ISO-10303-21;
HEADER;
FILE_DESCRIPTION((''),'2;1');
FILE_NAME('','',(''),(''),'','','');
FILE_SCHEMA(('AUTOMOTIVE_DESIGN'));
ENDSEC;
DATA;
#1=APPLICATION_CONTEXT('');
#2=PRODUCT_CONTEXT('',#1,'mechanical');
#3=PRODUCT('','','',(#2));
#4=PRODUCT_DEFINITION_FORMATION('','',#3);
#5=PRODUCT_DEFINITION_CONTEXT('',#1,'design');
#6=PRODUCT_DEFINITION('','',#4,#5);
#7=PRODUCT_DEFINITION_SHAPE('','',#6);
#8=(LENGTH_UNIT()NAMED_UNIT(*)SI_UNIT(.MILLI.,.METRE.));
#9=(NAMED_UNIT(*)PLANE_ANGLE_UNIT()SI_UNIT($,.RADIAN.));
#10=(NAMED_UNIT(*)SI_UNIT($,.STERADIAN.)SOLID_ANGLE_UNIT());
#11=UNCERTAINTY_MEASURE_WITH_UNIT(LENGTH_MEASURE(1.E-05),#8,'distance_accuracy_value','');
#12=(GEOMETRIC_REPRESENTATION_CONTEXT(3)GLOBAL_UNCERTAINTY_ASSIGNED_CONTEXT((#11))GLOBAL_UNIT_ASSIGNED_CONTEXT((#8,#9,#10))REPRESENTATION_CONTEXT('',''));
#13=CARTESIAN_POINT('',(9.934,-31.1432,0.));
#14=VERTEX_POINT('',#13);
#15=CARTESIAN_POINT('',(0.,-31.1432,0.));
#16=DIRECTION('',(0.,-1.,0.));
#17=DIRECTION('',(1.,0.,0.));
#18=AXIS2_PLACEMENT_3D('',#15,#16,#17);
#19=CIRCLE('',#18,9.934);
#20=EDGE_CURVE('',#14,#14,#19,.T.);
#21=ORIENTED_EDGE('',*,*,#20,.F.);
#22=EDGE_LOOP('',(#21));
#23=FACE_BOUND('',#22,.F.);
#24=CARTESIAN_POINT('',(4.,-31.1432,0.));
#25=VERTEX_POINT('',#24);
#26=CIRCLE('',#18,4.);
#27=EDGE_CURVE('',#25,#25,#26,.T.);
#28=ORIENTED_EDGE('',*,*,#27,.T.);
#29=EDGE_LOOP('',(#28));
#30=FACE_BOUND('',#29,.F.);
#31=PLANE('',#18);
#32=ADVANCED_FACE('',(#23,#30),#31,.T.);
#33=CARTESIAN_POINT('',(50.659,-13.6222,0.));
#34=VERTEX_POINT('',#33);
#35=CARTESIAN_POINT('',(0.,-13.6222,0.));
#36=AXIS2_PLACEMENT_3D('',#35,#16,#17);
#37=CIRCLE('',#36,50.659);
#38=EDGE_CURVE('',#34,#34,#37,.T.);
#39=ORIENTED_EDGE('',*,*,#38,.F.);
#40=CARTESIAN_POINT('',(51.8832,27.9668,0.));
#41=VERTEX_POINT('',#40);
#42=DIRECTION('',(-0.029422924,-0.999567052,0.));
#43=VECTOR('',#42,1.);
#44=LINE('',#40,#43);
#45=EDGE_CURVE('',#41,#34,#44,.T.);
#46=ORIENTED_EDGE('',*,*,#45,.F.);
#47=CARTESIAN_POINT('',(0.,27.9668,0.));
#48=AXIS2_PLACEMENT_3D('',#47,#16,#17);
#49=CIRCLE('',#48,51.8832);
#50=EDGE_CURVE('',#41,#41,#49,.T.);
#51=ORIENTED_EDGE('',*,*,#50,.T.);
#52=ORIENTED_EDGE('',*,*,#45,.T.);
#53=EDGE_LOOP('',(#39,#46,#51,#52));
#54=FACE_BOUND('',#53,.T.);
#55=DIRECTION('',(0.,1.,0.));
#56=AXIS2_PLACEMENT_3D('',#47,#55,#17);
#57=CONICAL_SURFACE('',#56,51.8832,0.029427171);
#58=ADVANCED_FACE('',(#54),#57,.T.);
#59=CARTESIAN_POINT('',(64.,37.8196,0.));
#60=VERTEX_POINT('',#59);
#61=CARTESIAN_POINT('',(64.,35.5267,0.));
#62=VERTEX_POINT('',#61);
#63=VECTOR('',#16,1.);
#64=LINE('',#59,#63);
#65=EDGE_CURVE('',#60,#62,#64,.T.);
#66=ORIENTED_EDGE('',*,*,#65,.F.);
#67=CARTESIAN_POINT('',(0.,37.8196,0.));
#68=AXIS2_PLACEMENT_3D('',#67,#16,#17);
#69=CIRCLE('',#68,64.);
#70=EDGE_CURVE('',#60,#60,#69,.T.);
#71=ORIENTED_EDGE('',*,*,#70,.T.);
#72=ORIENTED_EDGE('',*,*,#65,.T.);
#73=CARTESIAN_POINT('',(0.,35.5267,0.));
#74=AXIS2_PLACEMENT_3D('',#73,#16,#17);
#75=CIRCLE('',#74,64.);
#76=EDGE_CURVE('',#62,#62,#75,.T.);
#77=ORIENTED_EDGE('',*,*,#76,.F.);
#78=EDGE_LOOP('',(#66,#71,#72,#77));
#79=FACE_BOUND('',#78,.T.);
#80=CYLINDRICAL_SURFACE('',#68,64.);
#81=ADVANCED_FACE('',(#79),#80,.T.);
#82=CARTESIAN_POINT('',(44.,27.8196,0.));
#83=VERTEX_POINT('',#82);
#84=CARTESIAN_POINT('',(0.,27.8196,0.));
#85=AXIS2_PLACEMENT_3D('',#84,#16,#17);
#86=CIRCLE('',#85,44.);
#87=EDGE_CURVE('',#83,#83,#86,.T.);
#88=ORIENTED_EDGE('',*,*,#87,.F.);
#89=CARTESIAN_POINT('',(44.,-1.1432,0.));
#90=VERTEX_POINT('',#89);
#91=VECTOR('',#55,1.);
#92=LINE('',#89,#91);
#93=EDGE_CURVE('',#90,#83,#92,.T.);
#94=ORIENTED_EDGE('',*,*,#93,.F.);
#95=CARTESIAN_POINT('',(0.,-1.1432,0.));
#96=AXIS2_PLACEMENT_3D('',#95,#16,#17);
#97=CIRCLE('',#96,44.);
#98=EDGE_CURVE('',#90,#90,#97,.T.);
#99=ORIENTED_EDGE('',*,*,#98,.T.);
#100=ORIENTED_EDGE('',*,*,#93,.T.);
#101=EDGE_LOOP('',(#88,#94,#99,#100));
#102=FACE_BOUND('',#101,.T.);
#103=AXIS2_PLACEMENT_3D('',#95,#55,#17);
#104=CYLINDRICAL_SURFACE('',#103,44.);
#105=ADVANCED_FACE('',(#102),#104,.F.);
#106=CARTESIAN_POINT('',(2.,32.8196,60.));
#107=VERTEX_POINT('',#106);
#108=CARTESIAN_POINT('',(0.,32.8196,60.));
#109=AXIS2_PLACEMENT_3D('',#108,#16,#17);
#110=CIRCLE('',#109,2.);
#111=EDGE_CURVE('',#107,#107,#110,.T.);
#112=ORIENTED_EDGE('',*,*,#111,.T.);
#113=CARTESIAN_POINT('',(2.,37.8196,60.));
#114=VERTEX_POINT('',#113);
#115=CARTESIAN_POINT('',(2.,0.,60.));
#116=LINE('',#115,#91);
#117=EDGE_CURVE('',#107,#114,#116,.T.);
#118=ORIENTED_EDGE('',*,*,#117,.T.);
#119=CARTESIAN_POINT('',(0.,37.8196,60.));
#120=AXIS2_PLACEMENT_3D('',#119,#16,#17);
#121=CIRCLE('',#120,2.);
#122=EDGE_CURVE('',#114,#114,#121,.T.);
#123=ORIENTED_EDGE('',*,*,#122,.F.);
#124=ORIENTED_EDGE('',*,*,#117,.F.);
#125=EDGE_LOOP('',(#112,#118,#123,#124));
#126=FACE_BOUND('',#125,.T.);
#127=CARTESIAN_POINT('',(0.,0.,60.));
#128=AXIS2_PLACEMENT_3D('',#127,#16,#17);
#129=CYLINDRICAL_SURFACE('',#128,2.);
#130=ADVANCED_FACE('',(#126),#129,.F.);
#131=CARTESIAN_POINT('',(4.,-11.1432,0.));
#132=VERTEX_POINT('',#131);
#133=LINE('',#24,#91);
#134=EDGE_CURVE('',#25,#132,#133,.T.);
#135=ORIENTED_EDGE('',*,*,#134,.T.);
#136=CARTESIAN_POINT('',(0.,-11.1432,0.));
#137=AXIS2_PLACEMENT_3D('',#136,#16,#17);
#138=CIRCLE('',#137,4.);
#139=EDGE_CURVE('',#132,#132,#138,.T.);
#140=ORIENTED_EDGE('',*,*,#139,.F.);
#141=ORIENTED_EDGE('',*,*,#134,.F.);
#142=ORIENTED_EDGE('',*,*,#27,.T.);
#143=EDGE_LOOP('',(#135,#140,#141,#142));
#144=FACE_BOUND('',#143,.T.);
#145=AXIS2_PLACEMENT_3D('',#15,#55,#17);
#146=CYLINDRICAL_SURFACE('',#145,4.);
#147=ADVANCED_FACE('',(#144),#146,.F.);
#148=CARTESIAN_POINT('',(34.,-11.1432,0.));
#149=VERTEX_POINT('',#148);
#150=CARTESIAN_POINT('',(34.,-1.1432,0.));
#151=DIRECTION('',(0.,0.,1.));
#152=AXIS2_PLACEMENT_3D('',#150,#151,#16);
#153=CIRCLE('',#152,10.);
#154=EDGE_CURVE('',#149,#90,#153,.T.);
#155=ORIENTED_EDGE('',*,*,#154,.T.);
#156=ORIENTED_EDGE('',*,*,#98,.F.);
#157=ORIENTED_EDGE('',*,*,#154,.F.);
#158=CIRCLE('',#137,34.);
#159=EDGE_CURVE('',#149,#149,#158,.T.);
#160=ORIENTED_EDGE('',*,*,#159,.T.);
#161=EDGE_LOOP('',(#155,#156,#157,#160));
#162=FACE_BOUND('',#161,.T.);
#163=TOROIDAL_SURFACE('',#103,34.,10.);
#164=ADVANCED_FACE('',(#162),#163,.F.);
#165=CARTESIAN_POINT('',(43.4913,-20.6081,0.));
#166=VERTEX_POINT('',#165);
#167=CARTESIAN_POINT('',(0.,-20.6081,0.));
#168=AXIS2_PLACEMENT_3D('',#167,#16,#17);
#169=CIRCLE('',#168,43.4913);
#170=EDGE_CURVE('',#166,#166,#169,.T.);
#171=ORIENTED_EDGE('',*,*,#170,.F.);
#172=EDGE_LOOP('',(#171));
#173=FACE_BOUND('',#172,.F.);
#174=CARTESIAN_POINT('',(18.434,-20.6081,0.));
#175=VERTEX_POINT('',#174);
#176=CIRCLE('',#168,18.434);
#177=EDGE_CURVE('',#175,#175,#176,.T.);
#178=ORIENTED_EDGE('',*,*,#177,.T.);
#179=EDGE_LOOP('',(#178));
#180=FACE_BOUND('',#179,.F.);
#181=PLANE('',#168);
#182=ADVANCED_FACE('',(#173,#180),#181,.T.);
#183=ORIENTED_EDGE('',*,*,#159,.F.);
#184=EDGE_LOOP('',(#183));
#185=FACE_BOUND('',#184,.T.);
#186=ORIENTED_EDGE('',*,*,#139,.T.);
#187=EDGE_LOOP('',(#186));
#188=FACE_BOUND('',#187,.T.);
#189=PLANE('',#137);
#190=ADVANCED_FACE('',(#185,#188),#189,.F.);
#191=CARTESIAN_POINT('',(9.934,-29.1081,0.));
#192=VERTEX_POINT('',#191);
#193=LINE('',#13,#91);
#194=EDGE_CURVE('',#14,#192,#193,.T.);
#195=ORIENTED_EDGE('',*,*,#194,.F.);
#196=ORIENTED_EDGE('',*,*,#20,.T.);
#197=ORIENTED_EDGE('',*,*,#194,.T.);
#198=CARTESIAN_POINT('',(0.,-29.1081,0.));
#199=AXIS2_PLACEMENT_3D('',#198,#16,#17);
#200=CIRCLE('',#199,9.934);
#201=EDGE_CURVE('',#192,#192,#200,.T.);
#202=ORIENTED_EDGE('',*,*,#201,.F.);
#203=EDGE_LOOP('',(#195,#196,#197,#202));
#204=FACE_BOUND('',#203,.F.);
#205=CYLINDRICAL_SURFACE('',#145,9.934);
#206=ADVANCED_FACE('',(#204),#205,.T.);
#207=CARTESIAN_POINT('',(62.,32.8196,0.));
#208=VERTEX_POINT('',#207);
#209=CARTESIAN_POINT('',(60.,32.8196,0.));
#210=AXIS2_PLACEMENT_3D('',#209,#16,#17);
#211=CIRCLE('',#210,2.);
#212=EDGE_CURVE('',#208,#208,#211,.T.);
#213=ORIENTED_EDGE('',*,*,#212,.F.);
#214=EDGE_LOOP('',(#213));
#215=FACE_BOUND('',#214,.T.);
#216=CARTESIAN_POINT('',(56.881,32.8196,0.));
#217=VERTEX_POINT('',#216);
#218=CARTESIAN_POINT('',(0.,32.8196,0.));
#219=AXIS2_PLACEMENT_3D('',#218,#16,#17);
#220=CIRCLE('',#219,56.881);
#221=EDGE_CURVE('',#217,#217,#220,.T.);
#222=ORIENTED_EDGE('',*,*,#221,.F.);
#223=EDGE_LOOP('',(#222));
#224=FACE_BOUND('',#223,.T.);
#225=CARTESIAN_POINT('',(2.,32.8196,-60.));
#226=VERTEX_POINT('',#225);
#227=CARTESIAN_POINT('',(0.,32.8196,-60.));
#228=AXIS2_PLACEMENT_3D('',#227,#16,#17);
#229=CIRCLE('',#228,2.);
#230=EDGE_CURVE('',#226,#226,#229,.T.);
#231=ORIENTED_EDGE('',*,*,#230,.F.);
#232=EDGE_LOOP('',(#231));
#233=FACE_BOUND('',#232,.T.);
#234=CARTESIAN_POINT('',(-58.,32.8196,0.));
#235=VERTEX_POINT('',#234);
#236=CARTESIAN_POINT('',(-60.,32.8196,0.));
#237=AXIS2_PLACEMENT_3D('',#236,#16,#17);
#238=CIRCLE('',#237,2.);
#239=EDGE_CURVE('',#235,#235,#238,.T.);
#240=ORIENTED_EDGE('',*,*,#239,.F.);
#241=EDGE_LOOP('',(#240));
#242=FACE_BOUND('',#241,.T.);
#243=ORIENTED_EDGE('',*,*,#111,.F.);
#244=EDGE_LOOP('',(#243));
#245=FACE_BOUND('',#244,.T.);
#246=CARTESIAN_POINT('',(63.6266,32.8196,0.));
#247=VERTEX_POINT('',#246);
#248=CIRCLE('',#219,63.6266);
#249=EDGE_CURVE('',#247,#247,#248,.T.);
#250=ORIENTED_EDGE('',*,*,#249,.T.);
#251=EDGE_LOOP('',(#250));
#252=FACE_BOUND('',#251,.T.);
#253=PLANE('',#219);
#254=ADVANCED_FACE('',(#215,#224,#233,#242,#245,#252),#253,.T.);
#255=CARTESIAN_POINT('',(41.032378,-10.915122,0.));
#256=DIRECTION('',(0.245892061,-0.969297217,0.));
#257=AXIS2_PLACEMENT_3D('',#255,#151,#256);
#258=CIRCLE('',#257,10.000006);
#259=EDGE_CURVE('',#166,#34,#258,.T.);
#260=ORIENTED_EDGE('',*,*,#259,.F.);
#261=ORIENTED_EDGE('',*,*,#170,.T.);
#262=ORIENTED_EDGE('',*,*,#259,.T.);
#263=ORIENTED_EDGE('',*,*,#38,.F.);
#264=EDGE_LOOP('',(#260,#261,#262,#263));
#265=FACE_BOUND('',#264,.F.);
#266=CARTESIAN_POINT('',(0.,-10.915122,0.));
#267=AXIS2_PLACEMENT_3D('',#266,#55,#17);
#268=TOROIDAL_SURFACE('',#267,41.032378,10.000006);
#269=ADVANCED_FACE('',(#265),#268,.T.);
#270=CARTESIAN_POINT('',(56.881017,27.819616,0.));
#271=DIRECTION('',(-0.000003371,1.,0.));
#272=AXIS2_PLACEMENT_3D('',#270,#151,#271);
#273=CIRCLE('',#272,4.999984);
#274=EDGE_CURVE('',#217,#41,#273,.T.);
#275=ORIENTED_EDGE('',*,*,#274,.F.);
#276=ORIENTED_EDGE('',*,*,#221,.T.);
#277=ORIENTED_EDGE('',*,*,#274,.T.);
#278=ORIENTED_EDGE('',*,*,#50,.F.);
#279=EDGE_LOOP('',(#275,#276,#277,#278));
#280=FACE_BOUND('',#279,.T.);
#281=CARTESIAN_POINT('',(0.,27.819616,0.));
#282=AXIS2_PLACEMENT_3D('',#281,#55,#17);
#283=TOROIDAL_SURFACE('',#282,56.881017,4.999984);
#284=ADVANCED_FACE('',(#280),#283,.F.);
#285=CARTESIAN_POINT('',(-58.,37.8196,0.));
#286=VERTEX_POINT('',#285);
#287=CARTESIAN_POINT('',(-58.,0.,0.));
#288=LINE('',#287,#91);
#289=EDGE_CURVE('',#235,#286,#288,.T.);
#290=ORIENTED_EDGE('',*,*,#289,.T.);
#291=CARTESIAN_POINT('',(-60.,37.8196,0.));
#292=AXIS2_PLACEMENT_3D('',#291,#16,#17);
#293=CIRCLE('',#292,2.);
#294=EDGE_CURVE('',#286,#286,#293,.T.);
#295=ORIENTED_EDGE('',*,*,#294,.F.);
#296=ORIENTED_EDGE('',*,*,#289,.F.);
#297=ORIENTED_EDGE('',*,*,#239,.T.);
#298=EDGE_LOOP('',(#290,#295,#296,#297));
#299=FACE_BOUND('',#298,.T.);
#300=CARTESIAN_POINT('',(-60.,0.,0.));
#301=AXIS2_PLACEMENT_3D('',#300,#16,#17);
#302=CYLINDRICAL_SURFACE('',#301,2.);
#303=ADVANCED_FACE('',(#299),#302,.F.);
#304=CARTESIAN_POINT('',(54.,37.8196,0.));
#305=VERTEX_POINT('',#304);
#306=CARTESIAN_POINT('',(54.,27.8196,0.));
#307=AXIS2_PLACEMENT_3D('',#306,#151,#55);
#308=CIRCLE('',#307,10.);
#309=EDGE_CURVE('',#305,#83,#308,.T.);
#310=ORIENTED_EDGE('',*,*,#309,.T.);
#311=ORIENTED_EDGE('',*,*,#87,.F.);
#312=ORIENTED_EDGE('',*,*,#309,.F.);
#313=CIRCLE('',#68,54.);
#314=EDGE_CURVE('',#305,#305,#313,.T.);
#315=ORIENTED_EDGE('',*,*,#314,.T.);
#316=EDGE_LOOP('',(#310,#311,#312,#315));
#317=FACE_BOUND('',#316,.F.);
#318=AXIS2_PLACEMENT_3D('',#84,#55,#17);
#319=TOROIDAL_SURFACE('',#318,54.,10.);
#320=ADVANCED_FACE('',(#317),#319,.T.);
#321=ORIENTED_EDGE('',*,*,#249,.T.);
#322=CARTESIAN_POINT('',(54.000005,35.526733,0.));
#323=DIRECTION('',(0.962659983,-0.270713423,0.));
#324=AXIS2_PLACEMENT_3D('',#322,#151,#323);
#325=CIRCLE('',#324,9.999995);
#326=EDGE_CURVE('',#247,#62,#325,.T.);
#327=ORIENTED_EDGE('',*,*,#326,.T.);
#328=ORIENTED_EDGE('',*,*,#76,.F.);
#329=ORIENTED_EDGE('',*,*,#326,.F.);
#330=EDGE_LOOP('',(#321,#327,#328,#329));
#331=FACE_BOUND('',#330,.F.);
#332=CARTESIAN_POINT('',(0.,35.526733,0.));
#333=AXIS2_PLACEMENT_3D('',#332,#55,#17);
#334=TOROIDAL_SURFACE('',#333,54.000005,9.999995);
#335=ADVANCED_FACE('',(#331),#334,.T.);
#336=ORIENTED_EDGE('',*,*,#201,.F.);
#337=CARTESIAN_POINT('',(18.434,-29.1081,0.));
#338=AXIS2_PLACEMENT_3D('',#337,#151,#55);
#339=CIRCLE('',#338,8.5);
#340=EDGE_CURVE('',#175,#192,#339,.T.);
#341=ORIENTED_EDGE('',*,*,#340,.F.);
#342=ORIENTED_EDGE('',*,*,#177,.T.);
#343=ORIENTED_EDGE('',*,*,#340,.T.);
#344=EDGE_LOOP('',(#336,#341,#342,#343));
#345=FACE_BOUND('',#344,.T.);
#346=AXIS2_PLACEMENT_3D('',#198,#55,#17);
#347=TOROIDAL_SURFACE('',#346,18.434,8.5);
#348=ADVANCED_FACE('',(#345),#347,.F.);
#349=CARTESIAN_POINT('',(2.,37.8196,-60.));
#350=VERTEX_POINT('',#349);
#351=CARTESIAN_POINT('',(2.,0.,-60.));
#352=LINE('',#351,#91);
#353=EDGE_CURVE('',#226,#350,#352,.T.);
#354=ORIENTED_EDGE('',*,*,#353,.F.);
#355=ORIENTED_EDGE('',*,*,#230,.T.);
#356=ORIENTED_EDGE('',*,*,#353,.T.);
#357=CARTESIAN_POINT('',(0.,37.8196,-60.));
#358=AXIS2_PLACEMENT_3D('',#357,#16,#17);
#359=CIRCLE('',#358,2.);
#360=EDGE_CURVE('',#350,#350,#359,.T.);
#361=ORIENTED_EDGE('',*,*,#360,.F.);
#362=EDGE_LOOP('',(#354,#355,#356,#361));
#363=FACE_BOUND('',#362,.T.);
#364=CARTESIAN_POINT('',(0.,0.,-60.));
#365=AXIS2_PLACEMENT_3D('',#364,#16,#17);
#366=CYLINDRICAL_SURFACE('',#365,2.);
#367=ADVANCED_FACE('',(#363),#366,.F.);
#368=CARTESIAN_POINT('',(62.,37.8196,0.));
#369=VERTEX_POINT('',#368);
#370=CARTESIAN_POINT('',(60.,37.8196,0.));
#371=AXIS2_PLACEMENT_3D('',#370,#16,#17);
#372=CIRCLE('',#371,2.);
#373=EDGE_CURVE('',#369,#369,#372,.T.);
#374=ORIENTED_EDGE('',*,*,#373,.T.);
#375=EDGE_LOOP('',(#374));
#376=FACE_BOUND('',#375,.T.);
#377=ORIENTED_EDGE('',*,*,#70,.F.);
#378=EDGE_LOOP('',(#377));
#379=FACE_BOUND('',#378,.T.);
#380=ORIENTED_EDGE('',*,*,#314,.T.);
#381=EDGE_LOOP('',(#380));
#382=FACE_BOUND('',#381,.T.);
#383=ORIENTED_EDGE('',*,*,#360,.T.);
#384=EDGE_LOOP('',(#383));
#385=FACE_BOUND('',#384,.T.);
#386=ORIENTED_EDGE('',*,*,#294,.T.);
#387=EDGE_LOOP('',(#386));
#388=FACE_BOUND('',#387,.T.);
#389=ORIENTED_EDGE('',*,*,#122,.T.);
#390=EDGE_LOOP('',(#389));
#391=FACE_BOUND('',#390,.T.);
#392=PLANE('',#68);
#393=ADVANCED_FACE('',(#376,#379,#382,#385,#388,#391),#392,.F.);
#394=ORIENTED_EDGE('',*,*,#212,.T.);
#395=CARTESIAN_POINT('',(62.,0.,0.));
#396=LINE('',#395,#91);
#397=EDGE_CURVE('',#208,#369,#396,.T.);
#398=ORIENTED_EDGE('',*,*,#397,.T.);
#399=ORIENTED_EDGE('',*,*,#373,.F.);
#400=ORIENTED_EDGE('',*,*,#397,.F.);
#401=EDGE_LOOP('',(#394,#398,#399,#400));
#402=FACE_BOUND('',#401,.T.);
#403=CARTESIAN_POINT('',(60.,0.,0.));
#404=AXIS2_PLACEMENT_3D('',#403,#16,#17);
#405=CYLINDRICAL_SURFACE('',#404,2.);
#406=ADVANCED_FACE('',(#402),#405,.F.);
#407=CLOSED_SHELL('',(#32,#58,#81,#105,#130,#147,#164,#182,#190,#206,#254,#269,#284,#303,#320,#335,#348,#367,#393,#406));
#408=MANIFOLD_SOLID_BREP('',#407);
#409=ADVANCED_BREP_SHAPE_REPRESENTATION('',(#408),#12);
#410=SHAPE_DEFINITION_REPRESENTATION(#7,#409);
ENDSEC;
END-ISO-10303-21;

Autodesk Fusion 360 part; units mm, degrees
sketch "Sketch2" plane through (0, 0, 0) normal (0, 0, 1) x (1, 0, 0)
  line L0 (0, 0) -> (0, -30)
  line L1 (4, -31.1432) -> (4, -11.1432)
  line L2 (4, -11.1432) -> (34, -11.1432)
  line L3 (44, -1.1432) -> (44, 27.8196)
  line L4 (54, 37.8196) -> (64, 37.8196)
  arc A0 (34, -11.1432) -> (44, -1.1432) centre (34, -1.1432) ccw
  arc A1 (54, 37.8196) -> (44, 27.8196) centre (54, 27.8196) ccw
  line L5 (64, 37.8196) -> (64, 35.5267)
  arc A2 (43.4913, -20.6081) -> (50.659, -13.6222) centre (41.0324, -10.9151) ccw
  arc A3 (63.6266, 32.8196) -> (64, 35.5267) centre (54, 35.5267) ccw
  line L6 (4, -31.1432) -> (9.934, -31.1432)
  line L7 (9.934, -31.1432) -> (9.934, -29.1081)
  line L8 (18.434, -20.6081) -> (43.4913, -20.6081)
  arc A4 (18.434, -20.6081) -> (9.934, -29.1081) centre (18.434, -29.1081) ccw
  line L9 (63.6266, 32.8196) -> (56.881, 32.8196)
  line L10 (51.8832, 27.9668) -> (50.659, -13.6222)
  arc A5 (56.881, 32.8196) -> (51.8832, 27.9668) centre (56.881, 27.8196) ccw
  point P0 (44, -11.1432)
  point P1 (44, 37.8196)
  point P2 (64, 33.8196)
  dimension "d1" = 30
  dimension "d2" = 4
  dimension "d3" = 20
  dimension "d4" = 40
  dimension "d5" = 20
  dimension "d6" = 10
  dimension "d7" = 4
  dimension "d8" = 10
  dimension "d9" = 8.5
  dimension "d10" = 5
  dimension "d18" = 5
  dimension "d19" = 50.659
  dimension "d20" = 20
revolve "Revolve1" add sketch "Sketch2" angle 360 about axis through (0, 0, 0) along (0, -1, 0)
sketch "Sketch3" plane through (0, 0, 0) normal (0, 1, 0) x (1, 0, 0)
  circle A0 centre (60, 0) radius 2
  circle A1 centre (0, 60) radius 2
  circle A2 centre (-60, 0) radius 2
  circle A3 centre (0, -60) radius 2
  dimension "d12" = 4
  dimension "d13" = 60
  dimension "d15" = 360
extrude "Extrude1" cut sketch "Sketch3" along normal blind 100
